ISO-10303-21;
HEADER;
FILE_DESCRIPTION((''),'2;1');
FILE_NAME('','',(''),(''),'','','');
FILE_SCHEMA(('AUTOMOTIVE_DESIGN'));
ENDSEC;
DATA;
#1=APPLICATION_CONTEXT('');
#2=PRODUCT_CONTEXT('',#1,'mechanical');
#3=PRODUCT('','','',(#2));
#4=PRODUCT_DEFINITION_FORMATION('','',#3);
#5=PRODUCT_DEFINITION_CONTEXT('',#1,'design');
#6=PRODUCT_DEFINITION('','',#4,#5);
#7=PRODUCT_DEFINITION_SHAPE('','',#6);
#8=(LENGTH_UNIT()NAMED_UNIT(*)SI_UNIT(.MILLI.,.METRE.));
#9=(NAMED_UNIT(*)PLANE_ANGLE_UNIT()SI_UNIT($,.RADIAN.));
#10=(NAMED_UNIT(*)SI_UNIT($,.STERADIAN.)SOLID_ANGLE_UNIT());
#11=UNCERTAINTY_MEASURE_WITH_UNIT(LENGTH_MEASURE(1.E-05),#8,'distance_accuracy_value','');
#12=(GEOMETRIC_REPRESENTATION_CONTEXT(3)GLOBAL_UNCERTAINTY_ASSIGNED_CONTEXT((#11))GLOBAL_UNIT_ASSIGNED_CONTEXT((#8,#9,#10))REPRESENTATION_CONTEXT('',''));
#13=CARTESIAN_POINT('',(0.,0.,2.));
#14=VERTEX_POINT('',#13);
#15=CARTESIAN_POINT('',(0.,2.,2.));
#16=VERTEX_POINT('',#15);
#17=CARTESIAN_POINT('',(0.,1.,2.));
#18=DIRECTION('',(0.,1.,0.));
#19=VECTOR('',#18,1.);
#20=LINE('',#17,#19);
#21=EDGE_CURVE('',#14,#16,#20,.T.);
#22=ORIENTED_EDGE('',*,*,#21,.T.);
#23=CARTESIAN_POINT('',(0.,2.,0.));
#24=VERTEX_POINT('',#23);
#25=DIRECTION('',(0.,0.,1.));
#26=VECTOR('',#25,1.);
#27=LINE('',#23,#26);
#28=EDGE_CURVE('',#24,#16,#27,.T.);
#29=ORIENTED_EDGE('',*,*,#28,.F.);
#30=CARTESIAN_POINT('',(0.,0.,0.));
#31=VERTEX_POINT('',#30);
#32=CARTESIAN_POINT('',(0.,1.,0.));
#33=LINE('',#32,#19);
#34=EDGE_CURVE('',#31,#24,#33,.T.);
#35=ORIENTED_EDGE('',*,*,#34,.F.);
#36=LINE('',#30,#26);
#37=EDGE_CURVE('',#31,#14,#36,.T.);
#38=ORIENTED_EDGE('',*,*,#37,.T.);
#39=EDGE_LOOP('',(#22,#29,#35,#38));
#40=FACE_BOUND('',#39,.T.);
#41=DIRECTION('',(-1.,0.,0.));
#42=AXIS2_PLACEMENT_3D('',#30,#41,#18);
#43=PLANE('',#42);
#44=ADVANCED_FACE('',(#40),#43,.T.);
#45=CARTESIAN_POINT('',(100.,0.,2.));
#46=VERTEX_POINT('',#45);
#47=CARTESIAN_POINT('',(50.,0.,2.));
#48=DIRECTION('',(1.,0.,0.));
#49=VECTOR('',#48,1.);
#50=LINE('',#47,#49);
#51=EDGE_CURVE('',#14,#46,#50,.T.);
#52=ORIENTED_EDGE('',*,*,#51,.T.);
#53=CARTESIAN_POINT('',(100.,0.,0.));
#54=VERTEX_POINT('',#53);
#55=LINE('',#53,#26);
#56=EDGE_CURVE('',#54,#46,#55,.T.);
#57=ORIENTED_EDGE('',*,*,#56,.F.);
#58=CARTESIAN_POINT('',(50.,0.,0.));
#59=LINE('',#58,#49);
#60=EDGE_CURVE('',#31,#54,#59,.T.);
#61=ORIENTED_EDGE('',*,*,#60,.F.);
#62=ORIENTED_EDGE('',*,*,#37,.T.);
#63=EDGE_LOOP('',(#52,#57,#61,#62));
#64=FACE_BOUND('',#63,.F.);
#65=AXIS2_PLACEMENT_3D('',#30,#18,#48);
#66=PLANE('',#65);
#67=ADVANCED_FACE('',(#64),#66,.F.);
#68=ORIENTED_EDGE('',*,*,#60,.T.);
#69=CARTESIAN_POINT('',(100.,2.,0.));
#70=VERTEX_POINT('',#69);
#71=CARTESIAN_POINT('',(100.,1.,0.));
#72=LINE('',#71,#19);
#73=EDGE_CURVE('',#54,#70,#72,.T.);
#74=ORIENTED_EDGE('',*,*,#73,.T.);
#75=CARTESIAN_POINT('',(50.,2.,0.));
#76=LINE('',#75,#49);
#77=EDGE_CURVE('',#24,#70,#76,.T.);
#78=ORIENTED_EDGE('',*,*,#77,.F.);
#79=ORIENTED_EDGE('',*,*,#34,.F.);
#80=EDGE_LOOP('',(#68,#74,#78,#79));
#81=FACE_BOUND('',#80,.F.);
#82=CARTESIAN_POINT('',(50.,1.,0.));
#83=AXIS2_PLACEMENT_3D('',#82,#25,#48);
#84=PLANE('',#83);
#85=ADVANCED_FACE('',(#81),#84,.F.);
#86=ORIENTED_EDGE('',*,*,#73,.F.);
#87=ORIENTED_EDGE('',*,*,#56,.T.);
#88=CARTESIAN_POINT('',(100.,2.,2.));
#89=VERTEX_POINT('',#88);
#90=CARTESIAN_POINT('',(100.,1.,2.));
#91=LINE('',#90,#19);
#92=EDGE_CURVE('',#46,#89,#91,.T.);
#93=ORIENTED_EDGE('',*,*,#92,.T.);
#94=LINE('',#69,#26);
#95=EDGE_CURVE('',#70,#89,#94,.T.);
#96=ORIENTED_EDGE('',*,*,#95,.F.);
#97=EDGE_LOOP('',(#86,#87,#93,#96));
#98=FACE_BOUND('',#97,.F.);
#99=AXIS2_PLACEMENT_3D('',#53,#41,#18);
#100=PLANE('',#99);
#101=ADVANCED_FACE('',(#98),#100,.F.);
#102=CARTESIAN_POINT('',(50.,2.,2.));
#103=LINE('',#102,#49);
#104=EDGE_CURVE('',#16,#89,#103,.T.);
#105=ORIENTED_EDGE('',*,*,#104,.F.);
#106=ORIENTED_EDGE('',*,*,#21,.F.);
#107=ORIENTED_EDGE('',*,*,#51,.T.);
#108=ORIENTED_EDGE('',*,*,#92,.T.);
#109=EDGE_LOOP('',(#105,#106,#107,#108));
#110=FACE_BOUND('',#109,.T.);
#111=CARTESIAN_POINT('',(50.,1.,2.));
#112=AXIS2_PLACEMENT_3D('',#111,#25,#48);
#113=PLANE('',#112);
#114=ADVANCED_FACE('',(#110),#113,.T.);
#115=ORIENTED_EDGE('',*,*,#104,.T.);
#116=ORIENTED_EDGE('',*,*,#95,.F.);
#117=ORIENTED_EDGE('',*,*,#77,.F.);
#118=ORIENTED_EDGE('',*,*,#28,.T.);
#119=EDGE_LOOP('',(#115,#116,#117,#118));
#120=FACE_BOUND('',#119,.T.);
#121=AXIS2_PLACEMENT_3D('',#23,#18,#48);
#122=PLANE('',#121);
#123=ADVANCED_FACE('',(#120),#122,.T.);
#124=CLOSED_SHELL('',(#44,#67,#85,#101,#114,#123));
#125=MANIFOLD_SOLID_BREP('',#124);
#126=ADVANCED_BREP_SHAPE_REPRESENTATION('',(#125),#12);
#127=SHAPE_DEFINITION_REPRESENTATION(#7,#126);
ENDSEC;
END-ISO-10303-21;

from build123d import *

# Parameters (mm, degrees)
BOX_W     = 100
BOX_H     = 2
BOX_DEPTH = 2


with BuildPart() as part:
    # Box → Box (new body)
    with BuildSketch(Plane.XY):
        with Locations((50, 1)):
            Rectangle(BOX_W, BOX_H)
    extrude(amount=BOX_DEPTH)


solid = part.part
